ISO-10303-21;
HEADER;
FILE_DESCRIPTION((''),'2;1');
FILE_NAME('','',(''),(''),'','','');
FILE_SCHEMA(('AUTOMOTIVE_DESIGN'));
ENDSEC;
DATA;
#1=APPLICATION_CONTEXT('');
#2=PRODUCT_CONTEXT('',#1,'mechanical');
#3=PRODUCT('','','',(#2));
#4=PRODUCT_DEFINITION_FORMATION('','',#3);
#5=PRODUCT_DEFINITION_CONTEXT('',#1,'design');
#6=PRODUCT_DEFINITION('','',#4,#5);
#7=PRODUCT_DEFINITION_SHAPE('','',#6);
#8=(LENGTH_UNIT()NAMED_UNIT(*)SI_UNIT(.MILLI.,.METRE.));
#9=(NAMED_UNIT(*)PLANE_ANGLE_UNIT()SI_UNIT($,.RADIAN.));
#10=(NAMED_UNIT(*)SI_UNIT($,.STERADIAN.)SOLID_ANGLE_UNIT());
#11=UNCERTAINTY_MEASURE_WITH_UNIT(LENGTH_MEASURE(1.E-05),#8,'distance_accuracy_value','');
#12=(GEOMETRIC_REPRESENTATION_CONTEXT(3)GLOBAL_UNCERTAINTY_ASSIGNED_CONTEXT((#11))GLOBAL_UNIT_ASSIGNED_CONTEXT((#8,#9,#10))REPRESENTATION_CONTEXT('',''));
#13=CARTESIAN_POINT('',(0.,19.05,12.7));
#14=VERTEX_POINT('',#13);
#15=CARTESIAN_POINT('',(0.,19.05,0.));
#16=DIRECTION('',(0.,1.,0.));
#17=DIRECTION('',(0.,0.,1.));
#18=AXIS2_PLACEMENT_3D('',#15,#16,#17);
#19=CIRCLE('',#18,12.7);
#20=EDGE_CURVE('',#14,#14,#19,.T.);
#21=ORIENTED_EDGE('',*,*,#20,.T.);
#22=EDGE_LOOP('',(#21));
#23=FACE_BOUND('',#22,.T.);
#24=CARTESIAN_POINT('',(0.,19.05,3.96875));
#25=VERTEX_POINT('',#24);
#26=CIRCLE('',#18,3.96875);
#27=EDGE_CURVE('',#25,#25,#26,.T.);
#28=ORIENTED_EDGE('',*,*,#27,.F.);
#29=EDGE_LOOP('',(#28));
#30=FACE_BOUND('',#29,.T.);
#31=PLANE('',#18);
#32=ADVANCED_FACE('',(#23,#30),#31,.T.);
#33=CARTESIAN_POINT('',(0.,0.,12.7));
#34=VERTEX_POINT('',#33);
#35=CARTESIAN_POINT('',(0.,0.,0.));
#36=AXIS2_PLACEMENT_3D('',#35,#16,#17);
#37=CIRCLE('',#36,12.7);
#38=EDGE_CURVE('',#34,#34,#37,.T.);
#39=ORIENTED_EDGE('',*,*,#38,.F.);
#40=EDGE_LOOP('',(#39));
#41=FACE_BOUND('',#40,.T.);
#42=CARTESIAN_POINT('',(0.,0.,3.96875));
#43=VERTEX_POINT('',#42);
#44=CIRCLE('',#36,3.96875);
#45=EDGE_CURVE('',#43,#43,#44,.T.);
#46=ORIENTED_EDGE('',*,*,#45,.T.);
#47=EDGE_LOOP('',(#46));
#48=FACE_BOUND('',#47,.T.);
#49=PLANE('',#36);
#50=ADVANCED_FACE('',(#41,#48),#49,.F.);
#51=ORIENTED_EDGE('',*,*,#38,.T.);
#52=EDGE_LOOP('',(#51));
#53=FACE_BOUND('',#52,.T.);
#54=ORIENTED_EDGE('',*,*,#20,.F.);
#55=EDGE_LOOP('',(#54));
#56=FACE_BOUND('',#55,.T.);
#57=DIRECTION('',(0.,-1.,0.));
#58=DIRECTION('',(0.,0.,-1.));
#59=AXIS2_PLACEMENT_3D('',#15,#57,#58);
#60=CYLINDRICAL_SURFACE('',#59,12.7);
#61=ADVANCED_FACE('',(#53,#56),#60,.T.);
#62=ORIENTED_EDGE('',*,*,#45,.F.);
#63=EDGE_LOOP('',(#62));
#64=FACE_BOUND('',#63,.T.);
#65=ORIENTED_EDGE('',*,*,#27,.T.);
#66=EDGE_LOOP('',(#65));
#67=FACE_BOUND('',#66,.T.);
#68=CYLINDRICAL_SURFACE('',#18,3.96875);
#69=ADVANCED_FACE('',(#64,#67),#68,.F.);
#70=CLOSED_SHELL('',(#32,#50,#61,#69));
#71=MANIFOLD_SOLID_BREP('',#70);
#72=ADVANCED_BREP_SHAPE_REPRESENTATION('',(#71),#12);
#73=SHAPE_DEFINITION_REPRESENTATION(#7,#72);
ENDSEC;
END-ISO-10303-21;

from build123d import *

# Parameters (mm, degrees)
SKETCH1_R                   = 12.7
BOSS_EXTRUDE1_DEPTH         = 19.05
TAP_DRILL_FOR_3_8_16_TAP1_D = 7.9375


with BuildPart() as part:
    # Sketch1 → Boss-Extrude1 (new body)
    with BuildSketch(Plane(origin=(0, 0, 0), x_dir=(1, 0, 0), z_dir=(0, 1, 0))):
        Circle(SKETCH1_R)
    extrude(amount=BOSS_EXTRUDE1_DEPTH)

    # Tap Drill for 3/8-16 Tap1 (through all)
    with Locations(Plane(origin=(0, 19.05, 0), x_dir=(1, 0, 0), z_dir=(0, 1, 0))):
        with Locations((0, 0)):
            Hole(TAP_DRILL_FOR_3_8_16_TAP1_D / 2)


solid = part.part
